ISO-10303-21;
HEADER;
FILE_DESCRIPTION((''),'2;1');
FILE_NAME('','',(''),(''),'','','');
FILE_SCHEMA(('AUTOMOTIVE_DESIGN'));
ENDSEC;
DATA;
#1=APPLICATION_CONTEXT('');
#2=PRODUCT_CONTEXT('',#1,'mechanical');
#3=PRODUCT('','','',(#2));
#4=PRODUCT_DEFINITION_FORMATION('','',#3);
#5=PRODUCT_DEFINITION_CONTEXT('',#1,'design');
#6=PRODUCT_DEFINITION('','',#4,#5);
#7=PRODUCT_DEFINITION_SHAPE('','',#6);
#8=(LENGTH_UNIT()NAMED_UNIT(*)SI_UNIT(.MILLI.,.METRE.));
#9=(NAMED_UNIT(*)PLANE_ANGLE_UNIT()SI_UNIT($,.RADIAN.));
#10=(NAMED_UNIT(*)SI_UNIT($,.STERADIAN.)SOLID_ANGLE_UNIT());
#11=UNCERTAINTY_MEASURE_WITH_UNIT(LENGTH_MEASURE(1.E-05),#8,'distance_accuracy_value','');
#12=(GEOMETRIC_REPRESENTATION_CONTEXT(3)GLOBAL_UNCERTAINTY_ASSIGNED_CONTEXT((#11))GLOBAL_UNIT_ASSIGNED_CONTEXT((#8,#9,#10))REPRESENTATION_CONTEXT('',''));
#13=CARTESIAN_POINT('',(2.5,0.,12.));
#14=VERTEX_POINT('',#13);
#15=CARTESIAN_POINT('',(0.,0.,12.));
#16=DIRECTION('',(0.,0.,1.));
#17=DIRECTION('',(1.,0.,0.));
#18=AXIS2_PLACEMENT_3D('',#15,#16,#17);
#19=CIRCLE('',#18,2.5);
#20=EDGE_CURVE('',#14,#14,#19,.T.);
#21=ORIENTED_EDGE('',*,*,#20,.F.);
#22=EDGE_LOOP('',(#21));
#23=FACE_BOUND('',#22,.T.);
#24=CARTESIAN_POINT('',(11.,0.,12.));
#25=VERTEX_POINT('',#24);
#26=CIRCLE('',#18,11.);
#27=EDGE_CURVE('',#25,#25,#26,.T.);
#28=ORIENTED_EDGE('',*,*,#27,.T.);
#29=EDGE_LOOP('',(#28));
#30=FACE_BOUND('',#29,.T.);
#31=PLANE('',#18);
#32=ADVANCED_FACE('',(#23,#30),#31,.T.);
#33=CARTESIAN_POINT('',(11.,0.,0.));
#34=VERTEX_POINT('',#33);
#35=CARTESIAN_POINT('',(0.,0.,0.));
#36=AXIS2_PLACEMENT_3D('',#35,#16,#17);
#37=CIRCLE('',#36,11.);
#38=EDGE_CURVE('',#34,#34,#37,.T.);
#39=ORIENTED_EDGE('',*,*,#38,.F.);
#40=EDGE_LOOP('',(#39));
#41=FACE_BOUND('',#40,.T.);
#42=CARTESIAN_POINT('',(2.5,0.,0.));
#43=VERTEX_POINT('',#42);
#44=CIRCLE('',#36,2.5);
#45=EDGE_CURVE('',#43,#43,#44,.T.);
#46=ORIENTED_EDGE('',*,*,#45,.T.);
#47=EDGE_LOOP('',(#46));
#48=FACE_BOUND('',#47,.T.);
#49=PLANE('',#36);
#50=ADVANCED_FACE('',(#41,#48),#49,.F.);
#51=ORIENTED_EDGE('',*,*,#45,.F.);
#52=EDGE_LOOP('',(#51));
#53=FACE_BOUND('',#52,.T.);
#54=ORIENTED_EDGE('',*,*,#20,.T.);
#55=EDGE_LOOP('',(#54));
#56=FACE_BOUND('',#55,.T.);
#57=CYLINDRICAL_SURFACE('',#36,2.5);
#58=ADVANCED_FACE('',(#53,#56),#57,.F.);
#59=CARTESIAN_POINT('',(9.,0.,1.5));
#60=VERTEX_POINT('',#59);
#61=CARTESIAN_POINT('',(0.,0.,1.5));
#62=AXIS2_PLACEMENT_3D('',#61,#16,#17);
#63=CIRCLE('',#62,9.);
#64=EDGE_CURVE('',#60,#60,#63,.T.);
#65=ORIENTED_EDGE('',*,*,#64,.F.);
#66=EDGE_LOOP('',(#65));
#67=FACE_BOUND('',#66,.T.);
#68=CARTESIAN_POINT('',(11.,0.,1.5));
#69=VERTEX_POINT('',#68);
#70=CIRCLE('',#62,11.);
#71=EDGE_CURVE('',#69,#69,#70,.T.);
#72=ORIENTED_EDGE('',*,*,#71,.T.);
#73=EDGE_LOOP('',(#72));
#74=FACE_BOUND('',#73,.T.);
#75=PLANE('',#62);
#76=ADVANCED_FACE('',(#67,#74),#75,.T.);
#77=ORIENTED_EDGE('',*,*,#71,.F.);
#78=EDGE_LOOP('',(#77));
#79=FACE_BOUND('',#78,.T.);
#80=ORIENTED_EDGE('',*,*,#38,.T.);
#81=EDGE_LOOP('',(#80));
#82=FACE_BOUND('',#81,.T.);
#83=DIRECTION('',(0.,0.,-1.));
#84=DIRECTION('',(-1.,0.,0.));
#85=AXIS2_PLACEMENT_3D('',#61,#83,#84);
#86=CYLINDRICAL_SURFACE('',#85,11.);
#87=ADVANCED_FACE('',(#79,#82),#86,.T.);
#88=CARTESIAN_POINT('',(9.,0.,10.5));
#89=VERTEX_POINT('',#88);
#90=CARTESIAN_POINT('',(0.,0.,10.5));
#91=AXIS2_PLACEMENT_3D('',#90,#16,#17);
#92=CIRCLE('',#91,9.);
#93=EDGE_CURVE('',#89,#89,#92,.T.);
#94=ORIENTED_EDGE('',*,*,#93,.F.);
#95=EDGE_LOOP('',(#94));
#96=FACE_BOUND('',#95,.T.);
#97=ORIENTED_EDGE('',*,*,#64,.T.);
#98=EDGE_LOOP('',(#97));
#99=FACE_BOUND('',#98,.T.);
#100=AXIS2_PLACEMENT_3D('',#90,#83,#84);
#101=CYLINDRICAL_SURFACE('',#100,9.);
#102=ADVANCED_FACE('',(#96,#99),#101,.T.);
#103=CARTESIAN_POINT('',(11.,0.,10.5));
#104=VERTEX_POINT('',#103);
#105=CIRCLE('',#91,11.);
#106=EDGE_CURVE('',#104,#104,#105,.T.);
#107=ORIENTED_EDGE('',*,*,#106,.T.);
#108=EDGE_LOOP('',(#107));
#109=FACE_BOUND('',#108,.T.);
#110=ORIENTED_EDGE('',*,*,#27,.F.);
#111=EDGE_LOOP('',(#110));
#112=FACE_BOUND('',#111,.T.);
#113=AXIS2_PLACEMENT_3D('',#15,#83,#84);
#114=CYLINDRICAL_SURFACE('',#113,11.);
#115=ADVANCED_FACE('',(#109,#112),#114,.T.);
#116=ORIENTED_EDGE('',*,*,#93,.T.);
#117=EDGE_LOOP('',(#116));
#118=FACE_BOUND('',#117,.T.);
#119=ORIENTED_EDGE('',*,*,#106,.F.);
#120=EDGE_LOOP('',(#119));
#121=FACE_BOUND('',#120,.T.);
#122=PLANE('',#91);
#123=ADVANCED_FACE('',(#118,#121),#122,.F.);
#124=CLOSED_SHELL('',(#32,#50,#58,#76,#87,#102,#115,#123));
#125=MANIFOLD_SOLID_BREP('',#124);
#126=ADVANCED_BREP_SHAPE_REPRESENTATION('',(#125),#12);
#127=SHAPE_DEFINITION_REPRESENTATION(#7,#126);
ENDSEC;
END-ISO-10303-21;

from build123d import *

# Parameters (mm, degrees)
ESQUISSE1_R                  = 11
BOSS_EXTRU_1_DEPTH           = 1.5
ESQUISSE2_R                  = 9
BOSS_EXTRU_2_DEPTH           = 9
ESQUISSE3_R                  = 11
BOSS_EXTRU_3_DEPTH           = 1.5
ESQUISSE4_R                  = 2.5
ENL_V_MAT_EXTRU_1_DEPTH      = 1
ENL_V_MAT_EXTRU_1_DEPTH_BACK = 13


with BuildPart() as part:
    # Esquisse1 → Boss.-Extru.1 (new body)
    with BuildSketch(Plane.XY):
        Circle(ESQUISSE1_R)
    extrude(amount=BOSS_EXTRU_1_DEPTH)

    # Esquisse2 → Boss.-Extru.2 (add)
    with BuildSketch(Plane.XY.offset(1.5)):
        Circle(ESQUISSE2_R)
    extrude(amount=BOSS_EXTRU_2_DEPTH)

    # Esquisse3 → Boss.-Extru.3 (add)
    with BuildSketch(Plane.XY.offset(10.5)):
        Circle(ESQUISSE3_R)
    extrude(amount=BOSS_EXTRU_3_DEPTH)

    # Esquisse4 → Enlèv. mat.-Extru.1 (cut, two sides)
    with BuildSketch(Plane.XY.offset(12)) as enl_v_mat_extru_1_sk:
        Circle(ESQUISSE4_R)
    extrude(amount=ENL_V_MAT_EXTRU_1_DEPTH, mode=Mode.SUBTRACT)
    extrude(enl_v_mat_extru_1_sk.sketch, amount=-ENL_V_MAT_EXTRU_1_DEPTH_BACK, mode=Mode.SUBTRACT)


solid = part.part
